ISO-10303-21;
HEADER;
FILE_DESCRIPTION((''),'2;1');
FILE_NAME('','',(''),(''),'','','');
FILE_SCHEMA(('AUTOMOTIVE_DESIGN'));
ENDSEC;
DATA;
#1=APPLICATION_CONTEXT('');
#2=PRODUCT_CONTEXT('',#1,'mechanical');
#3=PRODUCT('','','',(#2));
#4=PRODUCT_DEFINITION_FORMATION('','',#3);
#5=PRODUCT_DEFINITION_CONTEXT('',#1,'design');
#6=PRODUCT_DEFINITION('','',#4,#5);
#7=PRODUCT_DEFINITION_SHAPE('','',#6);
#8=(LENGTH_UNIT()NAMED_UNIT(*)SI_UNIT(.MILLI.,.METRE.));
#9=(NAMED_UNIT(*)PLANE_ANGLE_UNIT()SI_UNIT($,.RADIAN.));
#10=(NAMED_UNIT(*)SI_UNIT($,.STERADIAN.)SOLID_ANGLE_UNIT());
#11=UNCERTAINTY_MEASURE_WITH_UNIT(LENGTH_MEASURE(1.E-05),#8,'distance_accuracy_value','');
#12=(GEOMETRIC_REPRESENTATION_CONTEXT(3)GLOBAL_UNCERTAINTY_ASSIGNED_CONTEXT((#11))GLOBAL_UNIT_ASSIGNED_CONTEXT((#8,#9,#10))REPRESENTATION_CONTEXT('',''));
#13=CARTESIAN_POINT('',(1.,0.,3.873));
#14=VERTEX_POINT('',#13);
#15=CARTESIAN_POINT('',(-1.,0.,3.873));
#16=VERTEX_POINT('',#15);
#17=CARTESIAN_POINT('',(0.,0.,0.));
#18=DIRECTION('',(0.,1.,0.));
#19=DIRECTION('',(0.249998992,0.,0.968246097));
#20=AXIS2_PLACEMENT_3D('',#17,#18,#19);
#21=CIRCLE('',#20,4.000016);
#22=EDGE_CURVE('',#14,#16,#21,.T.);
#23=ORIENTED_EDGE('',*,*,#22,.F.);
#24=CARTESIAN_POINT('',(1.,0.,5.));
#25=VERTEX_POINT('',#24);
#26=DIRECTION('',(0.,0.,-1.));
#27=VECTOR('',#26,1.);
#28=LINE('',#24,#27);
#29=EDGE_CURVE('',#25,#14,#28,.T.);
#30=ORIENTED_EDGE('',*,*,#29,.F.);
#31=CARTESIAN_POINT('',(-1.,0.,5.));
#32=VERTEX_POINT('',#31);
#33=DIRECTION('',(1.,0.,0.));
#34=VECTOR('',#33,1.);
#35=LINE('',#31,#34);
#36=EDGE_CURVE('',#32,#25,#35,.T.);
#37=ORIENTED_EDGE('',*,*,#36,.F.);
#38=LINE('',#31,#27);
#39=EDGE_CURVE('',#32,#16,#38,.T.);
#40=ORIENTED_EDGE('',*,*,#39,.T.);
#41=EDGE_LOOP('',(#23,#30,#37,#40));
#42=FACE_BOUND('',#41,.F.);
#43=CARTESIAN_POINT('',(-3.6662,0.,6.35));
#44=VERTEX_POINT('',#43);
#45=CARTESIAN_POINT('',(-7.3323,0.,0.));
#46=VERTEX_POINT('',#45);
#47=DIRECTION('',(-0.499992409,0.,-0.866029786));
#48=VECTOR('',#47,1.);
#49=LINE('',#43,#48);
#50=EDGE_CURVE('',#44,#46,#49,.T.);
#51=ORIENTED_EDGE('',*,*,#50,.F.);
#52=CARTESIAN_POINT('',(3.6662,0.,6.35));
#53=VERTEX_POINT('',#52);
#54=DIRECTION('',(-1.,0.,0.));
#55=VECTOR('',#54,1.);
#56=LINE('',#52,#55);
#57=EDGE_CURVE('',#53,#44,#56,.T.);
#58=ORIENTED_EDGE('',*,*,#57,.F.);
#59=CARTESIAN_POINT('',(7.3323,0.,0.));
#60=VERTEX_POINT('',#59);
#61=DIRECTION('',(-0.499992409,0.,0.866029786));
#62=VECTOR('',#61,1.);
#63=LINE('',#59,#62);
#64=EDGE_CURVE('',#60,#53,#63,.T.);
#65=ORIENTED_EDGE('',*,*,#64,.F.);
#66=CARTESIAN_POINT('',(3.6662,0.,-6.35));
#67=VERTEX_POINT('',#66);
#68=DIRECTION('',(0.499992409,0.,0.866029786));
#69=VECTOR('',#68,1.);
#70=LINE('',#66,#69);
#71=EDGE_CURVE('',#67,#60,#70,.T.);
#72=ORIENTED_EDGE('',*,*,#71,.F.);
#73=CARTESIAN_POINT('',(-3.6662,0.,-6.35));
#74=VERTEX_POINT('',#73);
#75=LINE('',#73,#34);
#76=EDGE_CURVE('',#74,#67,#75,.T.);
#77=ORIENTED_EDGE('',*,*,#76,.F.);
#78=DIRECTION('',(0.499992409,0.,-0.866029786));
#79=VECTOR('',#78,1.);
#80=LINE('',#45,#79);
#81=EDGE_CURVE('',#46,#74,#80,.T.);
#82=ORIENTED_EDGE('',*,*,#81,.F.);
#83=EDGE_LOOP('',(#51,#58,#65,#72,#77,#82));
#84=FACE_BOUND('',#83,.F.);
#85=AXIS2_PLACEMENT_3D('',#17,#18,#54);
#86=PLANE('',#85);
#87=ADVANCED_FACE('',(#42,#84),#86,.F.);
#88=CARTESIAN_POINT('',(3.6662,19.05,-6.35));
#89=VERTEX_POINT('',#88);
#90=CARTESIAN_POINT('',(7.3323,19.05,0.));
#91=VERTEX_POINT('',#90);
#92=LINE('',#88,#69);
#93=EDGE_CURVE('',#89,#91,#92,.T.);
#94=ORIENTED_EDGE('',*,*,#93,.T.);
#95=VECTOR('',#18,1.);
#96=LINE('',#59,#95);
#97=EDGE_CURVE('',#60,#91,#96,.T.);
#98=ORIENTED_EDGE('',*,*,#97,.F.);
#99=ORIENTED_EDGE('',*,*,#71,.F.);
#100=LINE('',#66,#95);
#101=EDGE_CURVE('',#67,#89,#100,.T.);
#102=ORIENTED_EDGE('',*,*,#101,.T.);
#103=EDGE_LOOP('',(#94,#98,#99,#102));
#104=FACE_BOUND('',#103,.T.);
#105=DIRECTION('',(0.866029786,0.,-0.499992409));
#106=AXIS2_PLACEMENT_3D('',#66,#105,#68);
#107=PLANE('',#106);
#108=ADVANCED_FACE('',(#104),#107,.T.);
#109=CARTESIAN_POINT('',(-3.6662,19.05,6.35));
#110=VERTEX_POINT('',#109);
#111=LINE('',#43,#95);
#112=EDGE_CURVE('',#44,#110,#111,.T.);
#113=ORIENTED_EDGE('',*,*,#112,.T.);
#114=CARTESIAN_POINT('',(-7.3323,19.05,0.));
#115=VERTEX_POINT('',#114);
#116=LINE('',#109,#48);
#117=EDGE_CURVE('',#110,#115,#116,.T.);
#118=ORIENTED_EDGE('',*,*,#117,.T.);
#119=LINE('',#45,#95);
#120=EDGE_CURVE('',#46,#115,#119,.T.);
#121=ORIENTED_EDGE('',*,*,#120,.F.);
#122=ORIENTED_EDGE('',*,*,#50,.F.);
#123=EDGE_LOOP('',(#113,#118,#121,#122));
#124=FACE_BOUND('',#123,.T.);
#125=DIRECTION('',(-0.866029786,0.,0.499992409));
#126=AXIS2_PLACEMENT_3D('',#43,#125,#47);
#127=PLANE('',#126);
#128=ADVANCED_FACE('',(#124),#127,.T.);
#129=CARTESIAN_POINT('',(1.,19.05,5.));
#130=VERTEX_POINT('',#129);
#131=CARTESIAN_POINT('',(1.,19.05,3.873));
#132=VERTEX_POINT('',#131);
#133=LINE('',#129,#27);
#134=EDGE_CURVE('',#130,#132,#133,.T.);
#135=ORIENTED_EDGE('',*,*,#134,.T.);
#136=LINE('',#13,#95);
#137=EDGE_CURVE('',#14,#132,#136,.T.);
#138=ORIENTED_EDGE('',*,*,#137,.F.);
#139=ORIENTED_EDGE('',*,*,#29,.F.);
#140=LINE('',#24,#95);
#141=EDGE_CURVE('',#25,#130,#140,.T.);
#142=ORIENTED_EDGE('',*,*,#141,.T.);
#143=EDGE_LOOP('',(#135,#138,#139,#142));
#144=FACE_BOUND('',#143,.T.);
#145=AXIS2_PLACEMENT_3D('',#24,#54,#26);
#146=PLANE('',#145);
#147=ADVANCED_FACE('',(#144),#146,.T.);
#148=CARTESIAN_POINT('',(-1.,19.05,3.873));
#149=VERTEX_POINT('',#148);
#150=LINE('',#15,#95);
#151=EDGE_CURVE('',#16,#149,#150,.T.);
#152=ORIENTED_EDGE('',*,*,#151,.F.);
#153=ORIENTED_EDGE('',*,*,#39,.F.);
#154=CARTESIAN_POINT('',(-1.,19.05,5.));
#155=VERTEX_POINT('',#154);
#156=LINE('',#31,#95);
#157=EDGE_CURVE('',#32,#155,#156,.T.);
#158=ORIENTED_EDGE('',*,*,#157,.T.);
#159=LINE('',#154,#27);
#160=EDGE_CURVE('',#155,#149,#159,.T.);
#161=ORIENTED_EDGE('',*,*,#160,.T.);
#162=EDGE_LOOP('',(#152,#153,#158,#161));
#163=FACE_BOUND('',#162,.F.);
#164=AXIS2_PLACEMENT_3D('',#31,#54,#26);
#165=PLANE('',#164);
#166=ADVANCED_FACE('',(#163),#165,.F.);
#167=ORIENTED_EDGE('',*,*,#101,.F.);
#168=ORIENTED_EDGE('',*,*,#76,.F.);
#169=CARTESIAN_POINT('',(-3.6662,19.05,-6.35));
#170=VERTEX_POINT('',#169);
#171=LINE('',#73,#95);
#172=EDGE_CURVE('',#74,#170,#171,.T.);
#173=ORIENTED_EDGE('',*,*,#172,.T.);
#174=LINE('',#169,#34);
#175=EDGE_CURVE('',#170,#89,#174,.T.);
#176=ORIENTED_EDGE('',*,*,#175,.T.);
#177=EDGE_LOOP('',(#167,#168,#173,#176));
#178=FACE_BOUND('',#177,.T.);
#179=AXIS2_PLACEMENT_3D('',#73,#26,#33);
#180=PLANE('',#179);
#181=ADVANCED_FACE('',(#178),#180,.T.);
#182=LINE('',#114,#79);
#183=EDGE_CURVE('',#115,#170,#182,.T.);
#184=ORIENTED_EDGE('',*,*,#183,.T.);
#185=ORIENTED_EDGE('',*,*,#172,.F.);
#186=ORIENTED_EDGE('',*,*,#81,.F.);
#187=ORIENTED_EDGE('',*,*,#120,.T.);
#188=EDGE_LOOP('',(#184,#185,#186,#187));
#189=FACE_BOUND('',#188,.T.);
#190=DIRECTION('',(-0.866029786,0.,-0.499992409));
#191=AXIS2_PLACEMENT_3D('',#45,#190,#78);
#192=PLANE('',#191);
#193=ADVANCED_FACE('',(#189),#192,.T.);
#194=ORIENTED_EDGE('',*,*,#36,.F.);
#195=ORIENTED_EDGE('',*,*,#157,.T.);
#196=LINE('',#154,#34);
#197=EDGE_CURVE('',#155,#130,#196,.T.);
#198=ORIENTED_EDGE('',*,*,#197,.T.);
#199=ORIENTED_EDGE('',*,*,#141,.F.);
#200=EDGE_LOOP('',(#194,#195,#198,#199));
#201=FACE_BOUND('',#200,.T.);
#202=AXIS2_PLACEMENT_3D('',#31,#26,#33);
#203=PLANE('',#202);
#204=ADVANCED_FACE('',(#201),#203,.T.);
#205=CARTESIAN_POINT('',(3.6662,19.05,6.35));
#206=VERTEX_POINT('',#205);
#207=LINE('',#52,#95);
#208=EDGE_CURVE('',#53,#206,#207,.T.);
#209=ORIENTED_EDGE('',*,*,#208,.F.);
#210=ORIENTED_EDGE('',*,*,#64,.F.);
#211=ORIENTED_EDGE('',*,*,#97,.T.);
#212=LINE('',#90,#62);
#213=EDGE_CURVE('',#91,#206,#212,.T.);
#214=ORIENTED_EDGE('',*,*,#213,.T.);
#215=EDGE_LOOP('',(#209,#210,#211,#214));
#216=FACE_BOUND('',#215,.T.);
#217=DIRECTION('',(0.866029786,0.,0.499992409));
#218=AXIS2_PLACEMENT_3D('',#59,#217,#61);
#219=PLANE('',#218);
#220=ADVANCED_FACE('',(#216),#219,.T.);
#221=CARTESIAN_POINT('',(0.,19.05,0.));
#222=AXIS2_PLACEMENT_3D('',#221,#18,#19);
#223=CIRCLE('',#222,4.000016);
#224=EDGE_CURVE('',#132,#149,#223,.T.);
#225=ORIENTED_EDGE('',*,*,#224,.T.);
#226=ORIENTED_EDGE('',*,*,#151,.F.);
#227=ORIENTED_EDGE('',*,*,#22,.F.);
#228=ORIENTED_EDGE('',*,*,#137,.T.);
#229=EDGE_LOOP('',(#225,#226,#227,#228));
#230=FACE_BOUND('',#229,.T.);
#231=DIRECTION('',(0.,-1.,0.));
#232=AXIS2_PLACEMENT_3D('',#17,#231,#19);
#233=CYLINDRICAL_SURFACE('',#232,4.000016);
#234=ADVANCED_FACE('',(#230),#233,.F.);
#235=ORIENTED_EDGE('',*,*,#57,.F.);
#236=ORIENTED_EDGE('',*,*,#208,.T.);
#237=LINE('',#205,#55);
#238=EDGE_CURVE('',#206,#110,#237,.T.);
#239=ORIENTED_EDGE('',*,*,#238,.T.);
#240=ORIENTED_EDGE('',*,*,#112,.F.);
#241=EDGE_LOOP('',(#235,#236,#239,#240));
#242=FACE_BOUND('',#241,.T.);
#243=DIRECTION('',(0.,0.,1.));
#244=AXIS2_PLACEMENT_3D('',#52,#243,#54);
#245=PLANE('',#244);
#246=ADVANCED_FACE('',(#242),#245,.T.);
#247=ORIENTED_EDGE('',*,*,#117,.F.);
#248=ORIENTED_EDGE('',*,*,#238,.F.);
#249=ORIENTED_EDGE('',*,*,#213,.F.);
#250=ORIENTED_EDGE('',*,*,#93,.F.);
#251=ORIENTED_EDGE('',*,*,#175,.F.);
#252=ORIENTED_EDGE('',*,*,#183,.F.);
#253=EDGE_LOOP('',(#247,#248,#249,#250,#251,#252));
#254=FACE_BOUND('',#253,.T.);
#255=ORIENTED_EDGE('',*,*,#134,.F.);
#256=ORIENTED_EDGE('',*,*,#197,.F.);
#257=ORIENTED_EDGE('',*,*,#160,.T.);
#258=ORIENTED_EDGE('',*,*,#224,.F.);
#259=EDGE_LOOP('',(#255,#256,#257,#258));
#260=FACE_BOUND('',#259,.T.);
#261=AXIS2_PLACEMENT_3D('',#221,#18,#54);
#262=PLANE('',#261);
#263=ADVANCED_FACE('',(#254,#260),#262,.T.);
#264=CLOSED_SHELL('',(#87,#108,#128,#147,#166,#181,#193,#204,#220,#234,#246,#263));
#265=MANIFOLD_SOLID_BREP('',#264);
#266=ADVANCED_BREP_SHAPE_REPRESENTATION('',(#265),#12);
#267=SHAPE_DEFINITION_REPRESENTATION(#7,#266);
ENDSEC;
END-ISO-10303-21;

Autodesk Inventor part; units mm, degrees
ref_plane "YZ Plane" through (0, 0, 0) normal (1, 0, 0) x (0, 1, 0)
ref_plane "XZ Plane" through (0, 0, 0) normal (0, 1, 0) x (-1, 0, 0)
ref_plane "XY Plane" through (0, 0, 0) normal (0, 0, 1) x (1, 0, 0)
sketch "Sketch1" plane through (0, 0, 0) normal (0, 1, 0) x (-1, 0, 0)
  line L0 (3.6662, 6.35) -> (7.3323, 0)
  line L1 (7.3323, 0) -> (3.6662, -6.35)
  line L2 (3.6662, -6.35) -> (-3.6662, -6.35)
  line L3 (-3.6662, -6.35) -> (-7.3323, 0)
  line L4 (-7.3323, 0) -> (-3.6662, 6.35)
  line L5 (-3.6662, 6.35) -> (3.6662, 6.35)
  arc A0 (-1, 3.873) -> (1, 3.873) centre (0, 0) ccw
  line L6 (1, 5) -> (-1, 5)
  line L7 (-1, 5) -> (-1, 3.873)
  line L8 (1, 5) -> (1, 3.873)
  dimension "d0" = 12.7
  dimension "d1" = 8
  dimension "d2" = 2
  dimension "d3" = 1
  dimension "d4" = 5
extrude "Extrusion1" add sketch "Sketch1" along normal blind 19.05
properties part number "500 Hex CIM adapter"
